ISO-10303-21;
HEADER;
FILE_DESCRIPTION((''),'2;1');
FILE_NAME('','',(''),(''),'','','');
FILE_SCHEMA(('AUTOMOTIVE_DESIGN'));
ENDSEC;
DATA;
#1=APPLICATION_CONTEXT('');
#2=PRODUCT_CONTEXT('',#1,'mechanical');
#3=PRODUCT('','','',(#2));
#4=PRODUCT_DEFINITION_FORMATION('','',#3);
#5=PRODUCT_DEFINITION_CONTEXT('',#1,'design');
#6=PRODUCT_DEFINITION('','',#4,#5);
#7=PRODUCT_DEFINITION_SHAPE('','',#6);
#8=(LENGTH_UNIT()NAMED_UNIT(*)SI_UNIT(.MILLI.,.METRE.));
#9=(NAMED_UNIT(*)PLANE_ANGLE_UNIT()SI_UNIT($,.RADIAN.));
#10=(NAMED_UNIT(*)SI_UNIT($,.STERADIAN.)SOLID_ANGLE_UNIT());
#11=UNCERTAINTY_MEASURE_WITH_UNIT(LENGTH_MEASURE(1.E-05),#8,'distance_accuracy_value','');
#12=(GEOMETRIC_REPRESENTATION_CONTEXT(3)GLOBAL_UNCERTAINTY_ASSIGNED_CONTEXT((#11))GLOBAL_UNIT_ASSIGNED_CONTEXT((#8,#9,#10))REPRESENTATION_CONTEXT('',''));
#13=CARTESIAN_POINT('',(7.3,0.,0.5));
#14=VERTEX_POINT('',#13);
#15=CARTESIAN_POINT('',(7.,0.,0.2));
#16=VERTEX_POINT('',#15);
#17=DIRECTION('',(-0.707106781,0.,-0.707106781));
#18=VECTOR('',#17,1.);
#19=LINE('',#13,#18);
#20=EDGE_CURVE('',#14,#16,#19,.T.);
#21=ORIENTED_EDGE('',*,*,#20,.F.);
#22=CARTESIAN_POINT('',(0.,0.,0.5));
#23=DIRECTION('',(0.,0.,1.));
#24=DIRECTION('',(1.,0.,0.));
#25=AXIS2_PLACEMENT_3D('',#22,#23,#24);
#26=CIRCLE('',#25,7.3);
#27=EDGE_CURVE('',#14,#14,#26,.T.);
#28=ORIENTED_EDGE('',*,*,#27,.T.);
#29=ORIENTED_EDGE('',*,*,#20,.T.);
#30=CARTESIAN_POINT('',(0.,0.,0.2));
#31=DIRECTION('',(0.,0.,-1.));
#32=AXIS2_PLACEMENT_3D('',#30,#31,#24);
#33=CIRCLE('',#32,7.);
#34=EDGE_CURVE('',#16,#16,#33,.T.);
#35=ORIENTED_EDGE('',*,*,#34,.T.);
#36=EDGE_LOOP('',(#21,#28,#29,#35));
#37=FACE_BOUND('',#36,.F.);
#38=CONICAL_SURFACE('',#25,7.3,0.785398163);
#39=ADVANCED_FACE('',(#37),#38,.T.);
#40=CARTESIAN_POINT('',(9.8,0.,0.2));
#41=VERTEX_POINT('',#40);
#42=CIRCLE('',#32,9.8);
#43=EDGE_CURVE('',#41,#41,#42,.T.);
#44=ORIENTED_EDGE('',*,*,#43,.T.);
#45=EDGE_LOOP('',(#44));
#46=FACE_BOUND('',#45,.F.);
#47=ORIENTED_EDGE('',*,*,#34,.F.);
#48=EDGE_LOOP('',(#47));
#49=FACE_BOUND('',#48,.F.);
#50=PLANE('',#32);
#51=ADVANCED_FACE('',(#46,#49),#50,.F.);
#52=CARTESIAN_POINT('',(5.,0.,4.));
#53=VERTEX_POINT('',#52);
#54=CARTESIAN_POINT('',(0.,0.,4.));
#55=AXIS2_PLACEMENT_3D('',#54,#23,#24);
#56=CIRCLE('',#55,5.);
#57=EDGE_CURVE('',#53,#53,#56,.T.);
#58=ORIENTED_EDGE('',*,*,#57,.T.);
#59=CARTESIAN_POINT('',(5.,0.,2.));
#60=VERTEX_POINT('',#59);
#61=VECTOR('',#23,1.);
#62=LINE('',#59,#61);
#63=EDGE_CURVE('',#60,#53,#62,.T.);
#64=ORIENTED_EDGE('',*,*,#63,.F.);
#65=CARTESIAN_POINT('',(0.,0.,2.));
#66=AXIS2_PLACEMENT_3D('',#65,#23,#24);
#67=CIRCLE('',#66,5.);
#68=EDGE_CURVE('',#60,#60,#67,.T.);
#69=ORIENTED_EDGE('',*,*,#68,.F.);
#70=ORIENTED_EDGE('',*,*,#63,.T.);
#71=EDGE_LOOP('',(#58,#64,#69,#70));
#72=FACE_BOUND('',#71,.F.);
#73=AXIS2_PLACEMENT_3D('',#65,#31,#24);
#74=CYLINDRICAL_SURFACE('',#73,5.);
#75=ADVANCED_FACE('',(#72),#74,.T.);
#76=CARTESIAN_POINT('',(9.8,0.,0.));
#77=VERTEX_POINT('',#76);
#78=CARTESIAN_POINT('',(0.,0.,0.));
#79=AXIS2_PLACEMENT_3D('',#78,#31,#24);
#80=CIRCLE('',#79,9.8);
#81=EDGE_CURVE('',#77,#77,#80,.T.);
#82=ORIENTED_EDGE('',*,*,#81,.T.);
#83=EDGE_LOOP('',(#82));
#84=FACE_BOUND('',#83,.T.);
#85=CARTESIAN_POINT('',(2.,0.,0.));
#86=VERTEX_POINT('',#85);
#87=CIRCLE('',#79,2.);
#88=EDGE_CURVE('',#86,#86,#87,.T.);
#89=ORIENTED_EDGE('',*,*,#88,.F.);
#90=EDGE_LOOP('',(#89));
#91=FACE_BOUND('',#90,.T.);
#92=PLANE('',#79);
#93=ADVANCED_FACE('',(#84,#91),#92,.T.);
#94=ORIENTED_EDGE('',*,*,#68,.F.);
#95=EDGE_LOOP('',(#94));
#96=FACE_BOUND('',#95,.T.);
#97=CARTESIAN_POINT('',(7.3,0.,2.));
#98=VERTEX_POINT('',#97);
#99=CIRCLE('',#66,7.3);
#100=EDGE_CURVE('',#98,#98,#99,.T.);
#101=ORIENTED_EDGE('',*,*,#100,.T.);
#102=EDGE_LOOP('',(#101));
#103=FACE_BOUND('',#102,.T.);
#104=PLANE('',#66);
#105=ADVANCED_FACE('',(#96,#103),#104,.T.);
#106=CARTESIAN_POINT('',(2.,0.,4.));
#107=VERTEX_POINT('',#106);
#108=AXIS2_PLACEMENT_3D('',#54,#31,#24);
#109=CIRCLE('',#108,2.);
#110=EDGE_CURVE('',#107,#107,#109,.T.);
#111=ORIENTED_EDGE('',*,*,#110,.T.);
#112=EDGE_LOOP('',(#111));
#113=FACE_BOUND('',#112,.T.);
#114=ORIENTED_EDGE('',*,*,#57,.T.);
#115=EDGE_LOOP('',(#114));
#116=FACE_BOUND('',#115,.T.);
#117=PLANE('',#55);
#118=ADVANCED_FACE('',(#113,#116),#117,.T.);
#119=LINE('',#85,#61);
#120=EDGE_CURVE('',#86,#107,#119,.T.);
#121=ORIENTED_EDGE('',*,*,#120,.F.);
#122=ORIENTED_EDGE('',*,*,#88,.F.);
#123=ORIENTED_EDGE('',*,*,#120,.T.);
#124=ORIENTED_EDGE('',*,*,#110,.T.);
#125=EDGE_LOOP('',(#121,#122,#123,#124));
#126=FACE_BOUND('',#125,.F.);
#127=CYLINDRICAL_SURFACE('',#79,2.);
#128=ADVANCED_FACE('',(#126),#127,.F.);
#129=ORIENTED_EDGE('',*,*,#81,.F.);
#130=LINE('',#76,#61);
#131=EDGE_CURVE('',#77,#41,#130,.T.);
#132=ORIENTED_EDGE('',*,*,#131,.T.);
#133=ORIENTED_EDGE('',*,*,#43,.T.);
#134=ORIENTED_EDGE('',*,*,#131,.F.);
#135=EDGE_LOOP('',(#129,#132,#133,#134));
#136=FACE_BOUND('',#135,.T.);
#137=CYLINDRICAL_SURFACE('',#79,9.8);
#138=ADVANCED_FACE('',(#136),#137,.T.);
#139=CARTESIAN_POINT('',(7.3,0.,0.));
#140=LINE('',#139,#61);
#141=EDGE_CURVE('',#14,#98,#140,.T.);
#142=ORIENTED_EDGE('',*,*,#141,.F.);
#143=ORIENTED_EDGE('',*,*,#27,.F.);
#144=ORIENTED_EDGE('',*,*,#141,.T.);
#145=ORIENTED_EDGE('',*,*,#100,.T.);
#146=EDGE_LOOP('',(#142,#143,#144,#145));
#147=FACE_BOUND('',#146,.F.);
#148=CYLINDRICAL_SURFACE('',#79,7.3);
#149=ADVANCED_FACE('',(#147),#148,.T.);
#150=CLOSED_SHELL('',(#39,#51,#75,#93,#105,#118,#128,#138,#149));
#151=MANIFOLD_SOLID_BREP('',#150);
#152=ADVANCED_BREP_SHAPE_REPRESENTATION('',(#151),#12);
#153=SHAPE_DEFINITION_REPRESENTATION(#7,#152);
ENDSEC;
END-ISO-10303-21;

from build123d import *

# Parameters (mm, degrees)
F0_R     = 7.3
F1_DEPTH = 2
F2_R     = 5
F3_DEPTH = 2
F4_SIZE  = 0.5
F5_R     = 2
F6_DEPTH = 4.001
F7_R     = 9.8
F7_R_2   = 6.8
F8_DEPTH = 0.2


with BuildPart() as f1:
    # F0 (on Top) → F1 (new body)
    with BuildSketch(Plane.XY):
        Circle(F0_R)
    extrude(amount=F1_DEPTH)

    # F2 (on face) → F3 (join)
    with BuildSketch(Plane.XY.offset(2)):
        Circle(F2_R)
    extrude(amount=F3_DEPTH)

    # F4
    f4_edges = [f1.edges().sort_by_distance(p)[0] for p in [
        (-7.3, 0, 0),
    ]]
    chamfer(f4_edges, length=F4_SIZE)

    # F5 (on face) → F6 (cut, through all)
    with BuildSketch(Plane(origin=(0, 0, 0), x_dir=(1, 0, 0), z_dir=(0, 0, -1))):
        Circle(F5_R)
    extrude(amount=-F6_DEPTH, mode=Mode.SUBTRACT)

    # F7 (on face) → F8 (join)
    with BuildSketch(Plane(origin=(0, 0, 0), x_dir=(1, 0, 0), z_dir=(0, 0, -1))):
        Circle(F7_R)
        Circle(F7_R_2, mode=Mode.SUBTRACT)
    extrude(amount=-F8_DEPTH)


solid = f1.part
